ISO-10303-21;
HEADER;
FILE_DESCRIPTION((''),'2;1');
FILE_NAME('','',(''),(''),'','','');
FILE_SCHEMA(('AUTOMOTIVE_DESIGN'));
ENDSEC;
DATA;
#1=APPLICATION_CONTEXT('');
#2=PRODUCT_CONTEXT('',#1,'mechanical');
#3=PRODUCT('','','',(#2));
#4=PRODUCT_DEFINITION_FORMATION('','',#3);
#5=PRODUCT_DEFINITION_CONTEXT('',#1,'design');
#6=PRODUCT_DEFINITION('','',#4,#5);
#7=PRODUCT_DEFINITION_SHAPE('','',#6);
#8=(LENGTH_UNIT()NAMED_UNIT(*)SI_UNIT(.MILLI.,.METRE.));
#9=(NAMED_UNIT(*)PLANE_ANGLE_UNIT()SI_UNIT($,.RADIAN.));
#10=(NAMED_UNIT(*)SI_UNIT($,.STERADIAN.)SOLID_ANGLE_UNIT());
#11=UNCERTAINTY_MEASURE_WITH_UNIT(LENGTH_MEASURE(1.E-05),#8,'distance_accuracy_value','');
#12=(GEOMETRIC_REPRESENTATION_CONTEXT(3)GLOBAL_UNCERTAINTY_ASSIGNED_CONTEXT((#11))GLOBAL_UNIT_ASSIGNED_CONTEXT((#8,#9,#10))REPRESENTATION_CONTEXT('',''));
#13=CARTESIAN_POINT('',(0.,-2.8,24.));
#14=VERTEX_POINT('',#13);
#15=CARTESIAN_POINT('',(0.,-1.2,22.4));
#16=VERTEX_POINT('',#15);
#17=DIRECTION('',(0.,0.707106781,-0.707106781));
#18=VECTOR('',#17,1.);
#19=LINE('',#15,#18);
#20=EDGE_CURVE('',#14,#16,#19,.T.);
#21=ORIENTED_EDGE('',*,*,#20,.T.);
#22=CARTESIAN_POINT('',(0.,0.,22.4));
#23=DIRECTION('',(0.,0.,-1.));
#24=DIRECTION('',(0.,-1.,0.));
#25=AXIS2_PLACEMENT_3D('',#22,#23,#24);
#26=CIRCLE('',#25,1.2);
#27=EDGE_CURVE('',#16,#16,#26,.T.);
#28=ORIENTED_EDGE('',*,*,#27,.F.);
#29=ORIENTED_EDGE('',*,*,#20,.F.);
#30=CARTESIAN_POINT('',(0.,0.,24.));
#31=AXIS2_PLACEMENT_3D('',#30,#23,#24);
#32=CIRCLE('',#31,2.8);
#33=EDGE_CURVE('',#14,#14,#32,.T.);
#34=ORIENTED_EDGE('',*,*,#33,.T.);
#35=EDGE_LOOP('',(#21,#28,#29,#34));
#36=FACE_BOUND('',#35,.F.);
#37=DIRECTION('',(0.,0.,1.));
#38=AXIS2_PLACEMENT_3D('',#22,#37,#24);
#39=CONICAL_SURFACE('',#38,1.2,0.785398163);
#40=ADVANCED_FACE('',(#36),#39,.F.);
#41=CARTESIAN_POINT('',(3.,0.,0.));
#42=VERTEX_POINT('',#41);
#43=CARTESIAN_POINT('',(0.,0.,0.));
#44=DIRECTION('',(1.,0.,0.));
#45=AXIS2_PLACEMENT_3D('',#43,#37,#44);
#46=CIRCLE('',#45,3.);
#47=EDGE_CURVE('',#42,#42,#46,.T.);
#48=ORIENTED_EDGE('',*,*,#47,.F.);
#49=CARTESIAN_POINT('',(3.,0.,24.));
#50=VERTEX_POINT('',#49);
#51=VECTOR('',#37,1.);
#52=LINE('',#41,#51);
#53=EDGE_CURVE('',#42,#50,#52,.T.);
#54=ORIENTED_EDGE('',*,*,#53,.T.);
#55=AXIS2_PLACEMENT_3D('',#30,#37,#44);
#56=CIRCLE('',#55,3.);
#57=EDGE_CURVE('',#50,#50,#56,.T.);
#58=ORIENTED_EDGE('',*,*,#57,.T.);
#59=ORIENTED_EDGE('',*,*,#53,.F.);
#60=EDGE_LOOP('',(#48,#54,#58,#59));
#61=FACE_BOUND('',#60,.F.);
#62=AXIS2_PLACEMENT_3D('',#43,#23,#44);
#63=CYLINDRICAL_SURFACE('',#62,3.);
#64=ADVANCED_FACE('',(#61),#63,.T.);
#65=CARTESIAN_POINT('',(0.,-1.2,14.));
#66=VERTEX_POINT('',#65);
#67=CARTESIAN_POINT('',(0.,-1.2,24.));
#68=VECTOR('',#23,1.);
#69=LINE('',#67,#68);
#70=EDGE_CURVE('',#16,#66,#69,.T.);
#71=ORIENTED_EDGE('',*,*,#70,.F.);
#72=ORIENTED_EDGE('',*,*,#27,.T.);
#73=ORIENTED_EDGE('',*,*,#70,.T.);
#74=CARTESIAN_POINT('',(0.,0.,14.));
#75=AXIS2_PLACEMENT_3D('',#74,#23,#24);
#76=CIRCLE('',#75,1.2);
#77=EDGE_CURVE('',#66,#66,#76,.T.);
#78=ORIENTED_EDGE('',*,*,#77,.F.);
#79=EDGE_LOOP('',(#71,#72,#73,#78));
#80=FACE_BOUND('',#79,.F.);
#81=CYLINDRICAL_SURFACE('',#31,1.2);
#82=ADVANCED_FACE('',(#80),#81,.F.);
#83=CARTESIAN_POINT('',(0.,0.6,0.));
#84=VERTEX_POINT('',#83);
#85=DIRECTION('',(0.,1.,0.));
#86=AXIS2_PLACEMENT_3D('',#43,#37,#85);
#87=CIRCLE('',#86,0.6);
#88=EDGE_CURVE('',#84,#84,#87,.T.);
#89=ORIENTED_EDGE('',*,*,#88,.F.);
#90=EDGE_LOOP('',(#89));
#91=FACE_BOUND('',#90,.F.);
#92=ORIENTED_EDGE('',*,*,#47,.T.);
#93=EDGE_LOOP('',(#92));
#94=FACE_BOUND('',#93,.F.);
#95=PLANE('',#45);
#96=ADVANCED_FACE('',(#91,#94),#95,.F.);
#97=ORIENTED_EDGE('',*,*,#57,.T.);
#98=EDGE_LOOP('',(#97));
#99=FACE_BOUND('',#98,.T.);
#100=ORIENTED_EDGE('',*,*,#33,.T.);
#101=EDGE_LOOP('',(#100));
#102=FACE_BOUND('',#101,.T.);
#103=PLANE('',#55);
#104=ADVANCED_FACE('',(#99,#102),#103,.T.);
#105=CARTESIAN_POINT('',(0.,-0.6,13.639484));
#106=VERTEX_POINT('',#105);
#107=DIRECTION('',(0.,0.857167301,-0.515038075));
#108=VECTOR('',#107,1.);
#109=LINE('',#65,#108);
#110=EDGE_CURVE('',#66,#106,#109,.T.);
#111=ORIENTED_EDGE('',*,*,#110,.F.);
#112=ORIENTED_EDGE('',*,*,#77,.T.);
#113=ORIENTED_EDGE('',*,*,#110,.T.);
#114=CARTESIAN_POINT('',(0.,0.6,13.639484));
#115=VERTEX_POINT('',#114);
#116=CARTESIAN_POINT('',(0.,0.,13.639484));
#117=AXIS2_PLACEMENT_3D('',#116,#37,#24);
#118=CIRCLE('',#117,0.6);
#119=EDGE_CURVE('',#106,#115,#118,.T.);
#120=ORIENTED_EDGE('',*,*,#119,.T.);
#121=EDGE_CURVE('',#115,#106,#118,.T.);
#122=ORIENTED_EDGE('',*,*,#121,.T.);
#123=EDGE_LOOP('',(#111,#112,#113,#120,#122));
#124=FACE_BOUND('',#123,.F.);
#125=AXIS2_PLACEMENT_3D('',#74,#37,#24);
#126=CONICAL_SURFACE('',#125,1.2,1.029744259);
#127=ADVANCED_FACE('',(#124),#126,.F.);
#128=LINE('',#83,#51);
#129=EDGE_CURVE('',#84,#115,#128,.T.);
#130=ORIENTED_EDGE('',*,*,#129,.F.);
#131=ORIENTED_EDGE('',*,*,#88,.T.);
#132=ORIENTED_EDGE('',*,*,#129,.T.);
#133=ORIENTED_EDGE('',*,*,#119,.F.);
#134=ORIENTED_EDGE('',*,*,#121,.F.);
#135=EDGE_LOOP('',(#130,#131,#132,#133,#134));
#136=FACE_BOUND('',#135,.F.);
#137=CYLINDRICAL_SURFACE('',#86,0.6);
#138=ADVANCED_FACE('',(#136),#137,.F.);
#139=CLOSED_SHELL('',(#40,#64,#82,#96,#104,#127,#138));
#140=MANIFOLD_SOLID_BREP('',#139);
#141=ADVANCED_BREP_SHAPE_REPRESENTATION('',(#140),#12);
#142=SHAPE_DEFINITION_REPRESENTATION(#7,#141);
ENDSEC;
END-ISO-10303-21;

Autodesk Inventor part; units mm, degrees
ref_plane "YZ Plane" through (0, 0, 0) normal (1, 0, 0) x (0, 1, 0)
ref_plane "XZ Plane" through (0, 0, 0) normal (0, 1, 0) x (-1, 0, 0)
ref_plane "XY Plane" through (0, 0, 0) normal (0, 0, 1) x (1, 0, 0)
sketch "Skizze1" plane through (0, 0, 0) normal (0, 0, 1) x (1, 0, 0)
  circle A0 centre (0, 0) radius 3
  dimension "d0" = 6
extrude "Extrusion1" add sketch "Skizze1" along normal blind 24
sketch "Skizze2" plane through (0, 0, 0) normal (0, 0, -1) x (-1, 0, 0)
  point P0 (0, 0)
hole "Bohrung1" at (0, 0, 0) direction (0, 0, 1) diameter 1.2 end through all
sketch "Skizze3" plane through (0, 0, 24) normal (0, 0, 1) x (1, 0, 0)
  point P0 (0, 0)
hole "Bohrung2" at (0, 0, 24) direction (0, 0, -1) diameter 2.4 depth 10 tip angle 118
chamfer "Fase1" distance 1.6 angle 45 1 edges at (0, 1.2, 24)
properties part number "PTFE - Isolator" material "Polytetrafluoroethylen"
